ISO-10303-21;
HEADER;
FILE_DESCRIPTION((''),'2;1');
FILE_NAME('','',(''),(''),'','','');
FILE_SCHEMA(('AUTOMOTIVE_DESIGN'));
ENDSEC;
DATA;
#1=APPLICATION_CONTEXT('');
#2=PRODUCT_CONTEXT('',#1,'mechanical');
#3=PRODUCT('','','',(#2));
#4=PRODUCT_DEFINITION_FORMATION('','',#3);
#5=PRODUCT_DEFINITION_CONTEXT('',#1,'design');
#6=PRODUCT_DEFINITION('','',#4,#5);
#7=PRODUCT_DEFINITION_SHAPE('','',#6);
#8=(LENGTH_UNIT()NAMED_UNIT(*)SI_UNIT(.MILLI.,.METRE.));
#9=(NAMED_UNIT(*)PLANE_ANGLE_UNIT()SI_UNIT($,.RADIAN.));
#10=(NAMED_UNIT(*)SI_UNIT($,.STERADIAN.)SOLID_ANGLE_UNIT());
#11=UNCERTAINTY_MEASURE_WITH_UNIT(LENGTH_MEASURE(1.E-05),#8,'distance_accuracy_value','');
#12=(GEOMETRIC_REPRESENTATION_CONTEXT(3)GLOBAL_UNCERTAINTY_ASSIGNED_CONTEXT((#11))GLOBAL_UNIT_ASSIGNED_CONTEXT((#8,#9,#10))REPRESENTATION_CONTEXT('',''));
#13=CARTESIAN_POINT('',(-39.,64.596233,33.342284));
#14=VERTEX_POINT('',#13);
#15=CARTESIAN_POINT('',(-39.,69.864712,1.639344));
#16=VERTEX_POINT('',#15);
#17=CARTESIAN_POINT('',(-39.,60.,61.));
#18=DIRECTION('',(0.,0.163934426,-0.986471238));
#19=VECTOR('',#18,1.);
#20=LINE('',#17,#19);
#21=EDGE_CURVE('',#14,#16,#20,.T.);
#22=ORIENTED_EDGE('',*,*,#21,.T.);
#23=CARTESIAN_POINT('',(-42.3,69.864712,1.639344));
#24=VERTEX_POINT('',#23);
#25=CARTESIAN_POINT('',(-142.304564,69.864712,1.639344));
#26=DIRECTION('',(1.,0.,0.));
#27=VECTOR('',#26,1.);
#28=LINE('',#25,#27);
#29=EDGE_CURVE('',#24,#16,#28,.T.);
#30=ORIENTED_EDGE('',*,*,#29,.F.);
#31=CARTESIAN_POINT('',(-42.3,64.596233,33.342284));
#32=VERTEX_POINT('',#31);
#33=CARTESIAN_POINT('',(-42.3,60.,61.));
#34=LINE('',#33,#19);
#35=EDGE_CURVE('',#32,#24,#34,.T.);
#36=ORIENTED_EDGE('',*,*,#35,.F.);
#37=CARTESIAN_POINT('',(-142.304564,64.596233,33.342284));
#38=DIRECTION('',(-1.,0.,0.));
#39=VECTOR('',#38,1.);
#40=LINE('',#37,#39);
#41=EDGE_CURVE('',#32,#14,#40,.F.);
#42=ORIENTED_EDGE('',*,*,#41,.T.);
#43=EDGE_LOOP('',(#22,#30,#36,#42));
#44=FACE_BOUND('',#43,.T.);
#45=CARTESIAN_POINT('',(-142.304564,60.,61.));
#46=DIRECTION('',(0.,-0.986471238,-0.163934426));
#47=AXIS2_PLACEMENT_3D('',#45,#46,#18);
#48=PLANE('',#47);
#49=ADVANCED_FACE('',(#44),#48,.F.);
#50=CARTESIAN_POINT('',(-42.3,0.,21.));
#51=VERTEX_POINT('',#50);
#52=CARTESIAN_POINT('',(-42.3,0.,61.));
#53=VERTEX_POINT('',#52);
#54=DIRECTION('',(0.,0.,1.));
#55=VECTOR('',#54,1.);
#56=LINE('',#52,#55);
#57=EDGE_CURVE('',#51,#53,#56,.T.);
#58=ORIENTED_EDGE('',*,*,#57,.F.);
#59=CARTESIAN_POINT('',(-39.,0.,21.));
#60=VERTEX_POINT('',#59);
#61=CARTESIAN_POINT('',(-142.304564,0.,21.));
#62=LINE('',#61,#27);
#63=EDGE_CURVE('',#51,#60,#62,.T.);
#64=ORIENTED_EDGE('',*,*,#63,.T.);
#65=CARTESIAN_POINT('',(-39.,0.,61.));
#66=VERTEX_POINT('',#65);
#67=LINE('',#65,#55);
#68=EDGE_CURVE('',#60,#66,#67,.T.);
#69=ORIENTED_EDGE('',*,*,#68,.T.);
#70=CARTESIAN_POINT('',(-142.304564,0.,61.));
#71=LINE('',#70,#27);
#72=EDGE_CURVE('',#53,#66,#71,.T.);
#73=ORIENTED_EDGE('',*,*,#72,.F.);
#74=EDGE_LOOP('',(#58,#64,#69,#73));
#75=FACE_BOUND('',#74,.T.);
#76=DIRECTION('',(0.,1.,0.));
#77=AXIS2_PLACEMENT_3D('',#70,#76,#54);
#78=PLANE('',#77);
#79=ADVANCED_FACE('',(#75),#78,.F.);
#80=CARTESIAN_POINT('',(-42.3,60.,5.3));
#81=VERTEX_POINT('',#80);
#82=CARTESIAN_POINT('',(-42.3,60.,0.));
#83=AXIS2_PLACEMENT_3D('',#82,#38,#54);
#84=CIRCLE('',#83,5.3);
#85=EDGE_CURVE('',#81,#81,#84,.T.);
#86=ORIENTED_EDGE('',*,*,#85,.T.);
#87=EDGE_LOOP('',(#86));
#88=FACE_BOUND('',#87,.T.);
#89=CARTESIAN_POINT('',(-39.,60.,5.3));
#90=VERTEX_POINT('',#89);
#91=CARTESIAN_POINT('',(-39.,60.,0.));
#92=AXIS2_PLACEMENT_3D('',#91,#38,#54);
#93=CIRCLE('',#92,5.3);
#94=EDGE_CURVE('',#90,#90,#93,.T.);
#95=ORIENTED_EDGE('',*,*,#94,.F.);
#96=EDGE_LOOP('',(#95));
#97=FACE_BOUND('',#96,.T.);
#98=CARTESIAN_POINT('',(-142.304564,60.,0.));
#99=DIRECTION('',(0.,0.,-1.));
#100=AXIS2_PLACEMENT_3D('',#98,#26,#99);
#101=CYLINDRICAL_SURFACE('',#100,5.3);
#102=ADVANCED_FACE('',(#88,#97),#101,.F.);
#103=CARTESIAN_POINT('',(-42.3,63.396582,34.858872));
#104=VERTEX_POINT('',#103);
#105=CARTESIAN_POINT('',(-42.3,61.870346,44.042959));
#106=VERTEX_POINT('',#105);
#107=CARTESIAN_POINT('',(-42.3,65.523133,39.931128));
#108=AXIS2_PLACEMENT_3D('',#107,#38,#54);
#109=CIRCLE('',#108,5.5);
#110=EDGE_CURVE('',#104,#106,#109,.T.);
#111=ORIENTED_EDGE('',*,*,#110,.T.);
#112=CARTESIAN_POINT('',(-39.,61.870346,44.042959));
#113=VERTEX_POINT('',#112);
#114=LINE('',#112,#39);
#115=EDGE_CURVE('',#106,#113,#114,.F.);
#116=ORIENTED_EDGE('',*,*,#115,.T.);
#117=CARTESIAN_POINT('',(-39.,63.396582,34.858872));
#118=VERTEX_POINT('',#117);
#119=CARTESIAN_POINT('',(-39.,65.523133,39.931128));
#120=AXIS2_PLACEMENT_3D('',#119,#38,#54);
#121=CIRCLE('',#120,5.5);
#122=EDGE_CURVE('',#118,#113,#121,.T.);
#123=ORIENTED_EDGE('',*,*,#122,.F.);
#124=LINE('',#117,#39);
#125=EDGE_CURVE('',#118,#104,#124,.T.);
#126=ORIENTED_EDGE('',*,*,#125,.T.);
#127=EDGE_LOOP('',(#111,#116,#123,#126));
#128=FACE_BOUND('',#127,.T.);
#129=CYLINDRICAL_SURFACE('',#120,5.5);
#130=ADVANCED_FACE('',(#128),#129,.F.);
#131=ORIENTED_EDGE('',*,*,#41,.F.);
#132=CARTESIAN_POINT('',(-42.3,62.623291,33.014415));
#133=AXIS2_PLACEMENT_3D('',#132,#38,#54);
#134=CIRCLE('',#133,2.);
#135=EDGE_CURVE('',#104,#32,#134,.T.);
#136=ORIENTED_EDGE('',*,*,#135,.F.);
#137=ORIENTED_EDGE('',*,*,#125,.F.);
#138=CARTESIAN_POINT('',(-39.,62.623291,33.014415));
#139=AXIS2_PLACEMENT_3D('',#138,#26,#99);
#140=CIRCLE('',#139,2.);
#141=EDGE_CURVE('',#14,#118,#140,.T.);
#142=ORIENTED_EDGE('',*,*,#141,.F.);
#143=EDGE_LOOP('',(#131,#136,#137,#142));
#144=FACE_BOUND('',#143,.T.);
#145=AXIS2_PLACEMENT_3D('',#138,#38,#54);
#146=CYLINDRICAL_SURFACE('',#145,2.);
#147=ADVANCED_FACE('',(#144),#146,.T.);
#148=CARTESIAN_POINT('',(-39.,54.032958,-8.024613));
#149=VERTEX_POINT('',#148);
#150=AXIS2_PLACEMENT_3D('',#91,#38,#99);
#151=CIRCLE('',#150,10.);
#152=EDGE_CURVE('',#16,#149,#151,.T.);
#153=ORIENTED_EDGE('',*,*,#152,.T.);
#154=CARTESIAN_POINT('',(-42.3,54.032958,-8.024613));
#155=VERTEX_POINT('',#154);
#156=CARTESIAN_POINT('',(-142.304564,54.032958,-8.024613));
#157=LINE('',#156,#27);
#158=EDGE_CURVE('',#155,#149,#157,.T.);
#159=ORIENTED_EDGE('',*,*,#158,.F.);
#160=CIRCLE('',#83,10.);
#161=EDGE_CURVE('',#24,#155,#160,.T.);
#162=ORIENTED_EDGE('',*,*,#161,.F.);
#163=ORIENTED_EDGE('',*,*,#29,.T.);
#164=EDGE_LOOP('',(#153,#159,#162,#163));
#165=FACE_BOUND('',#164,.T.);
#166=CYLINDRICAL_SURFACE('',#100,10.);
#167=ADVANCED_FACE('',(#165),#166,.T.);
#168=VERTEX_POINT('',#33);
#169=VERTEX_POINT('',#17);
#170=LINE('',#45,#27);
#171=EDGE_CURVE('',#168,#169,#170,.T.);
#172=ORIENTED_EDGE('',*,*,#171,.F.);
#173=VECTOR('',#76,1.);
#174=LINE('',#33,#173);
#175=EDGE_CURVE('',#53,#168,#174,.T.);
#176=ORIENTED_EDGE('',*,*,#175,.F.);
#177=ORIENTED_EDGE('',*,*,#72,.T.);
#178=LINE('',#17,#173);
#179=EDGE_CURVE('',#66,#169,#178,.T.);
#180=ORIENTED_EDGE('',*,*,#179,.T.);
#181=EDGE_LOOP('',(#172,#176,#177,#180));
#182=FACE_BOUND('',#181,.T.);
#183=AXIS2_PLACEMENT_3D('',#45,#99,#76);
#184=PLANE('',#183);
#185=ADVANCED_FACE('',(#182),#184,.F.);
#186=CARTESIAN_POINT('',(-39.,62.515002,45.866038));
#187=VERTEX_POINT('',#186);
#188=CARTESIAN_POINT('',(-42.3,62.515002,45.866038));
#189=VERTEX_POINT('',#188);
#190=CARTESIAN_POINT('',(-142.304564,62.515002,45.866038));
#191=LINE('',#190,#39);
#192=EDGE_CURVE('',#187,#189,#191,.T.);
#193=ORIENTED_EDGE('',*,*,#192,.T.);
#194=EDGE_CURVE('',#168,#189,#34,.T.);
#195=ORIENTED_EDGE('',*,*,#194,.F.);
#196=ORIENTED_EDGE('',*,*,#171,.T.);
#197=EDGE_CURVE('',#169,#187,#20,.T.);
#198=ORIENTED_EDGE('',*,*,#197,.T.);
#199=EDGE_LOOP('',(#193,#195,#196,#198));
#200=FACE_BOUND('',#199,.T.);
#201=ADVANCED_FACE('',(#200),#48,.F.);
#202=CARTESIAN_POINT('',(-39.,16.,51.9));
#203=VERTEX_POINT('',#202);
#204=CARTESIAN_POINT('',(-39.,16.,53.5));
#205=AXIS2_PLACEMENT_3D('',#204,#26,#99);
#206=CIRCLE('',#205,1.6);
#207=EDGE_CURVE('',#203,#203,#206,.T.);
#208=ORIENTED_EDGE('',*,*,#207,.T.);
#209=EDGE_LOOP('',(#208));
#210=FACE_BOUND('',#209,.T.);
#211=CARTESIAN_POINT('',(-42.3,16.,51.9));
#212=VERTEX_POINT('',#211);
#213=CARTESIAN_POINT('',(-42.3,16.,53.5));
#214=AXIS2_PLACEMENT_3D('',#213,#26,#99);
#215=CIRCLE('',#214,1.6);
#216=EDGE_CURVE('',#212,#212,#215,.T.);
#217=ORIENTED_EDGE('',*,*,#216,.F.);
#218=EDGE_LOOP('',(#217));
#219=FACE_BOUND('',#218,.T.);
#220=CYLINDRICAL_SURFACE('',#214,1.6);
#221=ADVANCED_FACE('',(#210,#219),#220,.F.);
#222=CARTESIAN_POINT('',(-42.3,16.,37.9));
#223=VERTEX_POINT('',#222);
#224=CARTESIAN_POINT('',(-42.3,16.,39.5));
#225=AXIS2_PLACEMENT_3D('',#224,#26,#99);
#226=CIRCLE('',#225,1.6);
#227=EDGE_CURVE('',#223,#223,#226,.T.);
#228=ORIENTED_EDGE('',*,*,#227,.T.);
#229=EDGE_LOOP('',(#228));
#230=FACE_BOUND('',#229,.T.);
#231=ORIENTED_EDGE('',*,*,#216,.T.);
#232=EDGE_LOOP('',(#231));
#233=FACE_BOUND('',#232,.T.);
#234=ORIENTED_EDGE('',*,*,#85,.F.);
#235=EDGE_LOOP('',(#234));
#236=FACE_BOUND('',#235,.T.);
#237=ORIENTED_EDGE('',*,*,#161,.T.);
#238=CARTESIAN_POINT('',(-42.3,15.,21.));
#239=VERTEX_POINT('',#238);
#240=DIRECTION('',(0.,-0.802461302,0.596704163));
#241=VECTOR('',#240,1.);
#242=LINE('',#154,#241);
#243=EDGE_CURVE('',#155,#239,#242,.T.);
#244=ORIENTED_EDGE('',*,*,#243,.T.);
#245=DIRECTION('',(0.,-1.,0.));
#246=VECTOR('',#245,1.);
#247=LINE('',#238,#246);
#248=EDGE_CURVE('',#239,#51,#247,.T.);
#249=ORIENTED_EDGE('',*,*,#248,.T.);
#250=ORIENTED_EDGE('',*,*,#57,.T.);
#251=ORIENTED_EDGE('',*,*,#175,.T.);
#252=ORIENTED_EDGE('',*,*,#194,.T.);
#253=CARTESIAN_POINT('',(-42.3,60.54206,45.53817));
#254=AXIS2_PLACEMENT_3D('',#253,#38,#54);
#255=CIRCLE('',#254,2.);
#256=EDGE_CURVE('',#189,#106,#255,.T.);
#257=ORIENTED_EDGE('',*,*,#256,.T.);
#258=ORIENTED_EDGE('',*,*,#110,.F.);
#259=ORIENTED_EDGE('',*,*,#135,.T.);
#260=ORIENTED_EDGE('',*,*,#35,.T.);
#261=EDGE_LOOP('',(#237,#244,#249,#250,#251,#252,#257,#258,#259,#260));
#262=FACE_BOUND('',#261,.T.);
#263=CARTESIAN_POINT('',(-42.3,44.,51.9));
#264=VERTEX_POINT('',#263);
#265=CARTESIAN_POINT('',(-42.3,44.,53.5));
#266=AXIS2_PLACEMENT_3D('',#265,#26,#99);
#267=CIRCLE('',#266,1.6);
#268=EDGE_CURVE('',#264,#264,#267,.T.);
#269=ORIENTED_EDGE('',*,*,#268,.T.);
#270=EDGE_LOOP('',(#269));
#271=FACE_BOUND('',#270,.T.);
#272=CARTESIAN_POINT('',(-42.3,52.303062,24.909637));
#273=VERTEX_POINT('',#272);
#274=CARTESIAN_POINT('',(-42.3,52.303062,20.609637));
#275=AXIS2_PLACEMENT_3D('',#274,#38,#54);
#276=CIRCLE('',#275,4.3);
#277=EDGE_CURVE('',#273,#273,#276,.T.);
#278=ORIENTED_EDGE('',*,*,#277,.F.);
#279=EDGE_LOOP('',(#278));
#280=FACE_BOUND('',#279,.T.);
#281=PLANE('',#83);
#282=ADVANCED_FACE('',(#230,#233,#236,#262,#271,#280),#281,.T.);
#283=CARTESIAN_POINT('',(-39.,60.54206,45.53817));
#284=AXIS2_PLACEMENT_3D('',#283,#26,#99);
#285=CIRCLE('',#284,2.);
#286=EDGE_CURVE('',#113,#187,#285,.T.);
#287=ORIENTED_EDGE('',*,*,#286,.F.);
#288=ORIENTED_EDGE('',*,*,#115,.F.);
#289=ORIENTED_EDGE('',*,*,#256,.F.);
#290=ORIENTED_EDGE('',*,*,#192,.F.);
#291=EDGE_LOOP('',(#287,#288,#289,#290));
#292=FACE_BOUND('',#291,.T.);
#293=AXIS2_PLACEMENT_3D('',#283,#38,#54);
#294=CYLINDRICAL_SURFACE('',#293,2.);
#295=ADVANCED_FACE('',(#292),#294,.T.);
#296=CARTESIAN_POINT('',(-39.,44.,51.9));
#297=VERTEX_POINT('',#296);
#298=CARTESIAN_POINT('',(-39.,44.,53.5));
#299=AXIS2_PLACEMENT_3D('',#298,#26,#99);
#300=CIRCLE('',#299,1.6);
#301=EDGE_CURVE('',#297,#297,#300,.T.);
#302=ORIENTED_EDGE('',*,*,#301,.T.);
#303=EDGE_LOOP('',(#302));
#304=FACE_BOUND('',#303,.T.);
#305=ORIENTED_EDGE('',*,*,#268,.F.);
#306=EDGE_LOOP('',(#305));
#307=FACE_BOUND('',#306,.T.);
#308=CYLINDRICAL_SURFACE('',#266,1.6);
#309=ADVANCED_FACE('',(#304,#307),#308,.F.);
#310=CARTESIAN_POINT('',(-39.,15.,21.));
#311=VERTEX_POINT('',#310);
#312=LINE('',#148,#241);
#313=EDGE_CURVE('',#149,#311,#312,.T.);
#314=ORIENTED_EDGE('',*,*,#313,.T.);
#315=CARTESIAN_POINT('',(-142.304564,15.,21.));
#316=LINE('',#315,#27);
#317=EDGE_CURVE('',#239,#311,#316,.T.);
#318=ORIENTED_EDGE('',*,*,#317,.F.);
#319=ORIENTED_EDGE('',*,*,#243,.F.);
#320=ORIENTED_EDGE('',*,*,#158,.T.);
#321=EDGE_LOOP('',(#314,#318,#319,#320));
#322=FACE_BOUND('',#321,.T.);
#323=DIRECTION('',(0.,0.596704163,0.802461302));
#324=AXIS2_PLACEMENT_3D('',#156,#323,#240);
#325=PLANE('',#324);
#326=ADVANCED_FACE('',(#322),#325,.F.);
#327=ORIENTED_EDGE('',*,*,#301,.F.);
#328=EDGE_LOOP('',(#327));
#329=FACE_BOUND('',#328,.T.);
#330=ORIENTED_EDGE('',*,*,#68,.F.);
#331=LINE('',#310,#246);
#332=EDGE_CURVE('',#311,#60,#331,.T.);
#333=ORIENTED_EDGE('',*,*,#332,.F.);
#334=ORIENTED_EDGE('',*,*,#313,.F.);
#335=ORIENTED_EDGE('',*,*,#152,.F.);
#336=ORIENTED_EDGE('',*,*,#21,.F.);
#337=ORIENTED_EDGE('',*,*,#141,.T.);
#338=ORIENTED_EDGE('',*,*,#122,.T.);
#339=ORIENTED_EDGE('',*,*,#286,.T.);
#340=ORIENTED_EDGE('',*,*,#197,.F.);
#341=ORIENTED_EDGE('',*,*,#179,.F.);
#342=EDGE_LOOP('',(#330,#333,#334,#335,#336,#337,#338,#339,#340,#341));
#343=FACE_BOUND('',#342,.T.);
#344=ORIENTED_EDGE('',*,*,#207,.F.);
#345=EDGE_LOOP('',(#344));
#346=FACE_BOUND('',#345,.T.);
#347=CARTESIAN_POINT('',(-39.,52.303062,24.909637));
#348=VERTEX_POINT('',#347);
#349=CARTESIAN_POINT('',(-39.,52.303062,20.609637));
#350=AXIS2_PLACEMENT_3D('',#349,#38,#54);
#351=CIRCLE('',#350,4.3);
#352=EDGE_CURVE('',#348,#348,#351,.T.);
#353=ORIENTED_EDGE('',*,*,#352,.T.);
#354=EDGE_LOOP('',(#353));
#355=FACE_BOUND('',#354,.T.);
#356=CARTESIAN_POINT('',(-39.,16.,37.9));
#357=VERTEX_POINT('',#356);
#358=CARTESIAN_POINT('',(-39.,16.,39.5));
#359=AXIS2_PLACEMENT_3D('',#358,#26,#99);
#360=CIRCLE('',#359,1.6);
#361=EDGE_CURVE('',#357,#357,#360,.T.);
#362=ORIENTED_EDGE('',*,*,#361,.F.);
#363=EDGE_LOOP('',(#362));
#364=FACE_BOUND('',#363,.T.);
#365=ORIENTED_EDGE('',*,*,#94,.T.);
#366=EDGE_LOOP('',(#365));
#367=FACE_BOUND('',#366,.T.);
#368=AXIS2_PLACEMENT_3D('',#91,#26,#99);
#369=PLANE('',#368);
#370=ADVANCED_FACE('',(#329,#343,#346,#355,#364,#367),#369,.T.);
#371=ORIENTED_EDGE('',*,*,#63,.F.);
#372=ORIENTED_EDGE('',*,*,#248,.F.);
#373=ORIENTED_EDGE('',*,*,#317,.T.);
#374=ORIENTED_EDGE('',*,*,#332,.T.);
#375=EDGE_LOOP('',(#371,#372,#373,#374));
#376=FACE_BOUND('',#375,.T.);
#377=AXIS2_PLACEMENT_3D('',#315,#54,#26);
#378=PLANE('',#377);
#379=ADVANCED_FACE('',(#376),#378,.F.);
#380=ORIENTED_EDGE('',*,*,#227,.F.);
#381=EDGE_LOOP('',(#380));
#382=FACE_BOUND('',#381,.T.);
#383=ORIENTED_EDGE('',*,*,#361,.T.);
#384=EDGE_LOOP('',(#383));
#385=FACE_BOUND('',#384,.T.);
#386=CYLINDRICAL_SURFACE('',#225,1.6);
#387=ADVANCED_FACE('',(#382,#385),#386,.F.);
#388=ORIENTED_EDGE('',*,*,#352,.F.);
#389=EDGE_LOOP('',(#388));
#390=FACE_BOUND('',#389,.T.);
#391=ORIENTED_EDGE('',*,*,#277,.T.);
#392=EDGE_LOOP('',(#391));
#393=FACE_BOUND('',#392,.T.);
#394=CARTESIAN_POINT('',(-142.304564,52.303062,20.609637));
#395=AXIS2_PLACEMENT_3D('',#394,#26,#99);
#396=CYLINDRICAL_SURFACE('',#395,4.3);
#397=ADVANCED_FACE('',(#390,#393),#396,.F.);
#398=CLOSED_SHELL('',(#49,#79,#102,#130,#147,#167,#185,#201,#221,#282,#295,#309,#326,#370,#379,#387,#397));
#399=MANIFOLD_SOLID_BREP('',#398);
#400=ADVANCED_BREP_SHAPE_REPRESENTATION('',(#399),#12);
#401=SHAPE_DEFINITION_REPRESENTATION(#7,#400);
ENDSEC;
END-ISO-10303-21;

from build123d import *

# Parameters (mm, degrees)
SKETCH1_R           = 4.3
SKETCH1_R_2         = 5.3
BOSS_EXTRUDE1_DEPTH = 3.3
SKETCH2_R           = 5.5
CUT_EXTRUDE1_DEPTH  = 93.907965213
FILLET1_R           = 2
SKETCH3_R           = 1.6
CUT_EXTRUDE2_DEPTH  = 93.907965213


with BuildPart() as part:
    # Sketch1 → Boss-Extrude1 (new body)
    with BuildSketch(Plane.ZY.offset(39)):
        with BuildLine():
            Line((61, 0), (21, 0))
            Line((21, 0), (21, 15))
            Line((21, 15), (-8.024613022, 54.032958367))
            ThreePointArc((-8.024613022, 54.032958367), (-8.535456817, 65.210180123), (1.639344262, 69.864712383))
            Line((1.639344262, 69.864712383), (61, 60))
            Line((61, 60), (61, 0))
        make_face()
        with Locations((20.609637027, 52.303061543)):
            Circle(SKETCH1_R, mode=Mode.SUBTRACT)
        with Locations((0, 60)):
            Circle(SKETCH1_R_2, mode=Mode.SUBTRACT)
    extrude(amount=BOSS_EXTRUDE1_DEPTH)

    # Sketch2 → Cut-Extrude1 (cut, through all)
    with BuildSketch(Plane.ZY.offset(42.3)):
        with Locations((39.931128277, 65.523132673)):
            Circle(SKETCH2_R)
    extrude(amount=-CUT_EXTRUDE1_DEPTH, mode=Mode.SUBTRACT)

    # Fillet1
    fillet1_edges = [part.edges().sort_by_distance(p)[0] for p in [
        (-40.65, 62.71535211, 44.660437774),
        (-40.65, 64.395883156, 34.547884968),
    ]]
    fillet(fillet1_edges, radius=FILLET1_R)

    # Sketch3 → Cut-Extrude2 (cut, through all)
    with BuildSketch(Plane(origin=(-39, 0, 0), x_dir=(0, 0, -1), z_dir=(1, 0, 0))):
        with Locations((-53.5, 44)):
            Circle(SKETCH3_R)
        with Locations((-39.5, 16)):
            Circle(SKETCH3_R)
        with Locations((-53.5, 16)):
            Circle(SKETCH3_R)
    extrude(amount=-CUT_EXTRUDE2_DEPTH, mode=Mode.SUBTRACT)


solid = part.part
